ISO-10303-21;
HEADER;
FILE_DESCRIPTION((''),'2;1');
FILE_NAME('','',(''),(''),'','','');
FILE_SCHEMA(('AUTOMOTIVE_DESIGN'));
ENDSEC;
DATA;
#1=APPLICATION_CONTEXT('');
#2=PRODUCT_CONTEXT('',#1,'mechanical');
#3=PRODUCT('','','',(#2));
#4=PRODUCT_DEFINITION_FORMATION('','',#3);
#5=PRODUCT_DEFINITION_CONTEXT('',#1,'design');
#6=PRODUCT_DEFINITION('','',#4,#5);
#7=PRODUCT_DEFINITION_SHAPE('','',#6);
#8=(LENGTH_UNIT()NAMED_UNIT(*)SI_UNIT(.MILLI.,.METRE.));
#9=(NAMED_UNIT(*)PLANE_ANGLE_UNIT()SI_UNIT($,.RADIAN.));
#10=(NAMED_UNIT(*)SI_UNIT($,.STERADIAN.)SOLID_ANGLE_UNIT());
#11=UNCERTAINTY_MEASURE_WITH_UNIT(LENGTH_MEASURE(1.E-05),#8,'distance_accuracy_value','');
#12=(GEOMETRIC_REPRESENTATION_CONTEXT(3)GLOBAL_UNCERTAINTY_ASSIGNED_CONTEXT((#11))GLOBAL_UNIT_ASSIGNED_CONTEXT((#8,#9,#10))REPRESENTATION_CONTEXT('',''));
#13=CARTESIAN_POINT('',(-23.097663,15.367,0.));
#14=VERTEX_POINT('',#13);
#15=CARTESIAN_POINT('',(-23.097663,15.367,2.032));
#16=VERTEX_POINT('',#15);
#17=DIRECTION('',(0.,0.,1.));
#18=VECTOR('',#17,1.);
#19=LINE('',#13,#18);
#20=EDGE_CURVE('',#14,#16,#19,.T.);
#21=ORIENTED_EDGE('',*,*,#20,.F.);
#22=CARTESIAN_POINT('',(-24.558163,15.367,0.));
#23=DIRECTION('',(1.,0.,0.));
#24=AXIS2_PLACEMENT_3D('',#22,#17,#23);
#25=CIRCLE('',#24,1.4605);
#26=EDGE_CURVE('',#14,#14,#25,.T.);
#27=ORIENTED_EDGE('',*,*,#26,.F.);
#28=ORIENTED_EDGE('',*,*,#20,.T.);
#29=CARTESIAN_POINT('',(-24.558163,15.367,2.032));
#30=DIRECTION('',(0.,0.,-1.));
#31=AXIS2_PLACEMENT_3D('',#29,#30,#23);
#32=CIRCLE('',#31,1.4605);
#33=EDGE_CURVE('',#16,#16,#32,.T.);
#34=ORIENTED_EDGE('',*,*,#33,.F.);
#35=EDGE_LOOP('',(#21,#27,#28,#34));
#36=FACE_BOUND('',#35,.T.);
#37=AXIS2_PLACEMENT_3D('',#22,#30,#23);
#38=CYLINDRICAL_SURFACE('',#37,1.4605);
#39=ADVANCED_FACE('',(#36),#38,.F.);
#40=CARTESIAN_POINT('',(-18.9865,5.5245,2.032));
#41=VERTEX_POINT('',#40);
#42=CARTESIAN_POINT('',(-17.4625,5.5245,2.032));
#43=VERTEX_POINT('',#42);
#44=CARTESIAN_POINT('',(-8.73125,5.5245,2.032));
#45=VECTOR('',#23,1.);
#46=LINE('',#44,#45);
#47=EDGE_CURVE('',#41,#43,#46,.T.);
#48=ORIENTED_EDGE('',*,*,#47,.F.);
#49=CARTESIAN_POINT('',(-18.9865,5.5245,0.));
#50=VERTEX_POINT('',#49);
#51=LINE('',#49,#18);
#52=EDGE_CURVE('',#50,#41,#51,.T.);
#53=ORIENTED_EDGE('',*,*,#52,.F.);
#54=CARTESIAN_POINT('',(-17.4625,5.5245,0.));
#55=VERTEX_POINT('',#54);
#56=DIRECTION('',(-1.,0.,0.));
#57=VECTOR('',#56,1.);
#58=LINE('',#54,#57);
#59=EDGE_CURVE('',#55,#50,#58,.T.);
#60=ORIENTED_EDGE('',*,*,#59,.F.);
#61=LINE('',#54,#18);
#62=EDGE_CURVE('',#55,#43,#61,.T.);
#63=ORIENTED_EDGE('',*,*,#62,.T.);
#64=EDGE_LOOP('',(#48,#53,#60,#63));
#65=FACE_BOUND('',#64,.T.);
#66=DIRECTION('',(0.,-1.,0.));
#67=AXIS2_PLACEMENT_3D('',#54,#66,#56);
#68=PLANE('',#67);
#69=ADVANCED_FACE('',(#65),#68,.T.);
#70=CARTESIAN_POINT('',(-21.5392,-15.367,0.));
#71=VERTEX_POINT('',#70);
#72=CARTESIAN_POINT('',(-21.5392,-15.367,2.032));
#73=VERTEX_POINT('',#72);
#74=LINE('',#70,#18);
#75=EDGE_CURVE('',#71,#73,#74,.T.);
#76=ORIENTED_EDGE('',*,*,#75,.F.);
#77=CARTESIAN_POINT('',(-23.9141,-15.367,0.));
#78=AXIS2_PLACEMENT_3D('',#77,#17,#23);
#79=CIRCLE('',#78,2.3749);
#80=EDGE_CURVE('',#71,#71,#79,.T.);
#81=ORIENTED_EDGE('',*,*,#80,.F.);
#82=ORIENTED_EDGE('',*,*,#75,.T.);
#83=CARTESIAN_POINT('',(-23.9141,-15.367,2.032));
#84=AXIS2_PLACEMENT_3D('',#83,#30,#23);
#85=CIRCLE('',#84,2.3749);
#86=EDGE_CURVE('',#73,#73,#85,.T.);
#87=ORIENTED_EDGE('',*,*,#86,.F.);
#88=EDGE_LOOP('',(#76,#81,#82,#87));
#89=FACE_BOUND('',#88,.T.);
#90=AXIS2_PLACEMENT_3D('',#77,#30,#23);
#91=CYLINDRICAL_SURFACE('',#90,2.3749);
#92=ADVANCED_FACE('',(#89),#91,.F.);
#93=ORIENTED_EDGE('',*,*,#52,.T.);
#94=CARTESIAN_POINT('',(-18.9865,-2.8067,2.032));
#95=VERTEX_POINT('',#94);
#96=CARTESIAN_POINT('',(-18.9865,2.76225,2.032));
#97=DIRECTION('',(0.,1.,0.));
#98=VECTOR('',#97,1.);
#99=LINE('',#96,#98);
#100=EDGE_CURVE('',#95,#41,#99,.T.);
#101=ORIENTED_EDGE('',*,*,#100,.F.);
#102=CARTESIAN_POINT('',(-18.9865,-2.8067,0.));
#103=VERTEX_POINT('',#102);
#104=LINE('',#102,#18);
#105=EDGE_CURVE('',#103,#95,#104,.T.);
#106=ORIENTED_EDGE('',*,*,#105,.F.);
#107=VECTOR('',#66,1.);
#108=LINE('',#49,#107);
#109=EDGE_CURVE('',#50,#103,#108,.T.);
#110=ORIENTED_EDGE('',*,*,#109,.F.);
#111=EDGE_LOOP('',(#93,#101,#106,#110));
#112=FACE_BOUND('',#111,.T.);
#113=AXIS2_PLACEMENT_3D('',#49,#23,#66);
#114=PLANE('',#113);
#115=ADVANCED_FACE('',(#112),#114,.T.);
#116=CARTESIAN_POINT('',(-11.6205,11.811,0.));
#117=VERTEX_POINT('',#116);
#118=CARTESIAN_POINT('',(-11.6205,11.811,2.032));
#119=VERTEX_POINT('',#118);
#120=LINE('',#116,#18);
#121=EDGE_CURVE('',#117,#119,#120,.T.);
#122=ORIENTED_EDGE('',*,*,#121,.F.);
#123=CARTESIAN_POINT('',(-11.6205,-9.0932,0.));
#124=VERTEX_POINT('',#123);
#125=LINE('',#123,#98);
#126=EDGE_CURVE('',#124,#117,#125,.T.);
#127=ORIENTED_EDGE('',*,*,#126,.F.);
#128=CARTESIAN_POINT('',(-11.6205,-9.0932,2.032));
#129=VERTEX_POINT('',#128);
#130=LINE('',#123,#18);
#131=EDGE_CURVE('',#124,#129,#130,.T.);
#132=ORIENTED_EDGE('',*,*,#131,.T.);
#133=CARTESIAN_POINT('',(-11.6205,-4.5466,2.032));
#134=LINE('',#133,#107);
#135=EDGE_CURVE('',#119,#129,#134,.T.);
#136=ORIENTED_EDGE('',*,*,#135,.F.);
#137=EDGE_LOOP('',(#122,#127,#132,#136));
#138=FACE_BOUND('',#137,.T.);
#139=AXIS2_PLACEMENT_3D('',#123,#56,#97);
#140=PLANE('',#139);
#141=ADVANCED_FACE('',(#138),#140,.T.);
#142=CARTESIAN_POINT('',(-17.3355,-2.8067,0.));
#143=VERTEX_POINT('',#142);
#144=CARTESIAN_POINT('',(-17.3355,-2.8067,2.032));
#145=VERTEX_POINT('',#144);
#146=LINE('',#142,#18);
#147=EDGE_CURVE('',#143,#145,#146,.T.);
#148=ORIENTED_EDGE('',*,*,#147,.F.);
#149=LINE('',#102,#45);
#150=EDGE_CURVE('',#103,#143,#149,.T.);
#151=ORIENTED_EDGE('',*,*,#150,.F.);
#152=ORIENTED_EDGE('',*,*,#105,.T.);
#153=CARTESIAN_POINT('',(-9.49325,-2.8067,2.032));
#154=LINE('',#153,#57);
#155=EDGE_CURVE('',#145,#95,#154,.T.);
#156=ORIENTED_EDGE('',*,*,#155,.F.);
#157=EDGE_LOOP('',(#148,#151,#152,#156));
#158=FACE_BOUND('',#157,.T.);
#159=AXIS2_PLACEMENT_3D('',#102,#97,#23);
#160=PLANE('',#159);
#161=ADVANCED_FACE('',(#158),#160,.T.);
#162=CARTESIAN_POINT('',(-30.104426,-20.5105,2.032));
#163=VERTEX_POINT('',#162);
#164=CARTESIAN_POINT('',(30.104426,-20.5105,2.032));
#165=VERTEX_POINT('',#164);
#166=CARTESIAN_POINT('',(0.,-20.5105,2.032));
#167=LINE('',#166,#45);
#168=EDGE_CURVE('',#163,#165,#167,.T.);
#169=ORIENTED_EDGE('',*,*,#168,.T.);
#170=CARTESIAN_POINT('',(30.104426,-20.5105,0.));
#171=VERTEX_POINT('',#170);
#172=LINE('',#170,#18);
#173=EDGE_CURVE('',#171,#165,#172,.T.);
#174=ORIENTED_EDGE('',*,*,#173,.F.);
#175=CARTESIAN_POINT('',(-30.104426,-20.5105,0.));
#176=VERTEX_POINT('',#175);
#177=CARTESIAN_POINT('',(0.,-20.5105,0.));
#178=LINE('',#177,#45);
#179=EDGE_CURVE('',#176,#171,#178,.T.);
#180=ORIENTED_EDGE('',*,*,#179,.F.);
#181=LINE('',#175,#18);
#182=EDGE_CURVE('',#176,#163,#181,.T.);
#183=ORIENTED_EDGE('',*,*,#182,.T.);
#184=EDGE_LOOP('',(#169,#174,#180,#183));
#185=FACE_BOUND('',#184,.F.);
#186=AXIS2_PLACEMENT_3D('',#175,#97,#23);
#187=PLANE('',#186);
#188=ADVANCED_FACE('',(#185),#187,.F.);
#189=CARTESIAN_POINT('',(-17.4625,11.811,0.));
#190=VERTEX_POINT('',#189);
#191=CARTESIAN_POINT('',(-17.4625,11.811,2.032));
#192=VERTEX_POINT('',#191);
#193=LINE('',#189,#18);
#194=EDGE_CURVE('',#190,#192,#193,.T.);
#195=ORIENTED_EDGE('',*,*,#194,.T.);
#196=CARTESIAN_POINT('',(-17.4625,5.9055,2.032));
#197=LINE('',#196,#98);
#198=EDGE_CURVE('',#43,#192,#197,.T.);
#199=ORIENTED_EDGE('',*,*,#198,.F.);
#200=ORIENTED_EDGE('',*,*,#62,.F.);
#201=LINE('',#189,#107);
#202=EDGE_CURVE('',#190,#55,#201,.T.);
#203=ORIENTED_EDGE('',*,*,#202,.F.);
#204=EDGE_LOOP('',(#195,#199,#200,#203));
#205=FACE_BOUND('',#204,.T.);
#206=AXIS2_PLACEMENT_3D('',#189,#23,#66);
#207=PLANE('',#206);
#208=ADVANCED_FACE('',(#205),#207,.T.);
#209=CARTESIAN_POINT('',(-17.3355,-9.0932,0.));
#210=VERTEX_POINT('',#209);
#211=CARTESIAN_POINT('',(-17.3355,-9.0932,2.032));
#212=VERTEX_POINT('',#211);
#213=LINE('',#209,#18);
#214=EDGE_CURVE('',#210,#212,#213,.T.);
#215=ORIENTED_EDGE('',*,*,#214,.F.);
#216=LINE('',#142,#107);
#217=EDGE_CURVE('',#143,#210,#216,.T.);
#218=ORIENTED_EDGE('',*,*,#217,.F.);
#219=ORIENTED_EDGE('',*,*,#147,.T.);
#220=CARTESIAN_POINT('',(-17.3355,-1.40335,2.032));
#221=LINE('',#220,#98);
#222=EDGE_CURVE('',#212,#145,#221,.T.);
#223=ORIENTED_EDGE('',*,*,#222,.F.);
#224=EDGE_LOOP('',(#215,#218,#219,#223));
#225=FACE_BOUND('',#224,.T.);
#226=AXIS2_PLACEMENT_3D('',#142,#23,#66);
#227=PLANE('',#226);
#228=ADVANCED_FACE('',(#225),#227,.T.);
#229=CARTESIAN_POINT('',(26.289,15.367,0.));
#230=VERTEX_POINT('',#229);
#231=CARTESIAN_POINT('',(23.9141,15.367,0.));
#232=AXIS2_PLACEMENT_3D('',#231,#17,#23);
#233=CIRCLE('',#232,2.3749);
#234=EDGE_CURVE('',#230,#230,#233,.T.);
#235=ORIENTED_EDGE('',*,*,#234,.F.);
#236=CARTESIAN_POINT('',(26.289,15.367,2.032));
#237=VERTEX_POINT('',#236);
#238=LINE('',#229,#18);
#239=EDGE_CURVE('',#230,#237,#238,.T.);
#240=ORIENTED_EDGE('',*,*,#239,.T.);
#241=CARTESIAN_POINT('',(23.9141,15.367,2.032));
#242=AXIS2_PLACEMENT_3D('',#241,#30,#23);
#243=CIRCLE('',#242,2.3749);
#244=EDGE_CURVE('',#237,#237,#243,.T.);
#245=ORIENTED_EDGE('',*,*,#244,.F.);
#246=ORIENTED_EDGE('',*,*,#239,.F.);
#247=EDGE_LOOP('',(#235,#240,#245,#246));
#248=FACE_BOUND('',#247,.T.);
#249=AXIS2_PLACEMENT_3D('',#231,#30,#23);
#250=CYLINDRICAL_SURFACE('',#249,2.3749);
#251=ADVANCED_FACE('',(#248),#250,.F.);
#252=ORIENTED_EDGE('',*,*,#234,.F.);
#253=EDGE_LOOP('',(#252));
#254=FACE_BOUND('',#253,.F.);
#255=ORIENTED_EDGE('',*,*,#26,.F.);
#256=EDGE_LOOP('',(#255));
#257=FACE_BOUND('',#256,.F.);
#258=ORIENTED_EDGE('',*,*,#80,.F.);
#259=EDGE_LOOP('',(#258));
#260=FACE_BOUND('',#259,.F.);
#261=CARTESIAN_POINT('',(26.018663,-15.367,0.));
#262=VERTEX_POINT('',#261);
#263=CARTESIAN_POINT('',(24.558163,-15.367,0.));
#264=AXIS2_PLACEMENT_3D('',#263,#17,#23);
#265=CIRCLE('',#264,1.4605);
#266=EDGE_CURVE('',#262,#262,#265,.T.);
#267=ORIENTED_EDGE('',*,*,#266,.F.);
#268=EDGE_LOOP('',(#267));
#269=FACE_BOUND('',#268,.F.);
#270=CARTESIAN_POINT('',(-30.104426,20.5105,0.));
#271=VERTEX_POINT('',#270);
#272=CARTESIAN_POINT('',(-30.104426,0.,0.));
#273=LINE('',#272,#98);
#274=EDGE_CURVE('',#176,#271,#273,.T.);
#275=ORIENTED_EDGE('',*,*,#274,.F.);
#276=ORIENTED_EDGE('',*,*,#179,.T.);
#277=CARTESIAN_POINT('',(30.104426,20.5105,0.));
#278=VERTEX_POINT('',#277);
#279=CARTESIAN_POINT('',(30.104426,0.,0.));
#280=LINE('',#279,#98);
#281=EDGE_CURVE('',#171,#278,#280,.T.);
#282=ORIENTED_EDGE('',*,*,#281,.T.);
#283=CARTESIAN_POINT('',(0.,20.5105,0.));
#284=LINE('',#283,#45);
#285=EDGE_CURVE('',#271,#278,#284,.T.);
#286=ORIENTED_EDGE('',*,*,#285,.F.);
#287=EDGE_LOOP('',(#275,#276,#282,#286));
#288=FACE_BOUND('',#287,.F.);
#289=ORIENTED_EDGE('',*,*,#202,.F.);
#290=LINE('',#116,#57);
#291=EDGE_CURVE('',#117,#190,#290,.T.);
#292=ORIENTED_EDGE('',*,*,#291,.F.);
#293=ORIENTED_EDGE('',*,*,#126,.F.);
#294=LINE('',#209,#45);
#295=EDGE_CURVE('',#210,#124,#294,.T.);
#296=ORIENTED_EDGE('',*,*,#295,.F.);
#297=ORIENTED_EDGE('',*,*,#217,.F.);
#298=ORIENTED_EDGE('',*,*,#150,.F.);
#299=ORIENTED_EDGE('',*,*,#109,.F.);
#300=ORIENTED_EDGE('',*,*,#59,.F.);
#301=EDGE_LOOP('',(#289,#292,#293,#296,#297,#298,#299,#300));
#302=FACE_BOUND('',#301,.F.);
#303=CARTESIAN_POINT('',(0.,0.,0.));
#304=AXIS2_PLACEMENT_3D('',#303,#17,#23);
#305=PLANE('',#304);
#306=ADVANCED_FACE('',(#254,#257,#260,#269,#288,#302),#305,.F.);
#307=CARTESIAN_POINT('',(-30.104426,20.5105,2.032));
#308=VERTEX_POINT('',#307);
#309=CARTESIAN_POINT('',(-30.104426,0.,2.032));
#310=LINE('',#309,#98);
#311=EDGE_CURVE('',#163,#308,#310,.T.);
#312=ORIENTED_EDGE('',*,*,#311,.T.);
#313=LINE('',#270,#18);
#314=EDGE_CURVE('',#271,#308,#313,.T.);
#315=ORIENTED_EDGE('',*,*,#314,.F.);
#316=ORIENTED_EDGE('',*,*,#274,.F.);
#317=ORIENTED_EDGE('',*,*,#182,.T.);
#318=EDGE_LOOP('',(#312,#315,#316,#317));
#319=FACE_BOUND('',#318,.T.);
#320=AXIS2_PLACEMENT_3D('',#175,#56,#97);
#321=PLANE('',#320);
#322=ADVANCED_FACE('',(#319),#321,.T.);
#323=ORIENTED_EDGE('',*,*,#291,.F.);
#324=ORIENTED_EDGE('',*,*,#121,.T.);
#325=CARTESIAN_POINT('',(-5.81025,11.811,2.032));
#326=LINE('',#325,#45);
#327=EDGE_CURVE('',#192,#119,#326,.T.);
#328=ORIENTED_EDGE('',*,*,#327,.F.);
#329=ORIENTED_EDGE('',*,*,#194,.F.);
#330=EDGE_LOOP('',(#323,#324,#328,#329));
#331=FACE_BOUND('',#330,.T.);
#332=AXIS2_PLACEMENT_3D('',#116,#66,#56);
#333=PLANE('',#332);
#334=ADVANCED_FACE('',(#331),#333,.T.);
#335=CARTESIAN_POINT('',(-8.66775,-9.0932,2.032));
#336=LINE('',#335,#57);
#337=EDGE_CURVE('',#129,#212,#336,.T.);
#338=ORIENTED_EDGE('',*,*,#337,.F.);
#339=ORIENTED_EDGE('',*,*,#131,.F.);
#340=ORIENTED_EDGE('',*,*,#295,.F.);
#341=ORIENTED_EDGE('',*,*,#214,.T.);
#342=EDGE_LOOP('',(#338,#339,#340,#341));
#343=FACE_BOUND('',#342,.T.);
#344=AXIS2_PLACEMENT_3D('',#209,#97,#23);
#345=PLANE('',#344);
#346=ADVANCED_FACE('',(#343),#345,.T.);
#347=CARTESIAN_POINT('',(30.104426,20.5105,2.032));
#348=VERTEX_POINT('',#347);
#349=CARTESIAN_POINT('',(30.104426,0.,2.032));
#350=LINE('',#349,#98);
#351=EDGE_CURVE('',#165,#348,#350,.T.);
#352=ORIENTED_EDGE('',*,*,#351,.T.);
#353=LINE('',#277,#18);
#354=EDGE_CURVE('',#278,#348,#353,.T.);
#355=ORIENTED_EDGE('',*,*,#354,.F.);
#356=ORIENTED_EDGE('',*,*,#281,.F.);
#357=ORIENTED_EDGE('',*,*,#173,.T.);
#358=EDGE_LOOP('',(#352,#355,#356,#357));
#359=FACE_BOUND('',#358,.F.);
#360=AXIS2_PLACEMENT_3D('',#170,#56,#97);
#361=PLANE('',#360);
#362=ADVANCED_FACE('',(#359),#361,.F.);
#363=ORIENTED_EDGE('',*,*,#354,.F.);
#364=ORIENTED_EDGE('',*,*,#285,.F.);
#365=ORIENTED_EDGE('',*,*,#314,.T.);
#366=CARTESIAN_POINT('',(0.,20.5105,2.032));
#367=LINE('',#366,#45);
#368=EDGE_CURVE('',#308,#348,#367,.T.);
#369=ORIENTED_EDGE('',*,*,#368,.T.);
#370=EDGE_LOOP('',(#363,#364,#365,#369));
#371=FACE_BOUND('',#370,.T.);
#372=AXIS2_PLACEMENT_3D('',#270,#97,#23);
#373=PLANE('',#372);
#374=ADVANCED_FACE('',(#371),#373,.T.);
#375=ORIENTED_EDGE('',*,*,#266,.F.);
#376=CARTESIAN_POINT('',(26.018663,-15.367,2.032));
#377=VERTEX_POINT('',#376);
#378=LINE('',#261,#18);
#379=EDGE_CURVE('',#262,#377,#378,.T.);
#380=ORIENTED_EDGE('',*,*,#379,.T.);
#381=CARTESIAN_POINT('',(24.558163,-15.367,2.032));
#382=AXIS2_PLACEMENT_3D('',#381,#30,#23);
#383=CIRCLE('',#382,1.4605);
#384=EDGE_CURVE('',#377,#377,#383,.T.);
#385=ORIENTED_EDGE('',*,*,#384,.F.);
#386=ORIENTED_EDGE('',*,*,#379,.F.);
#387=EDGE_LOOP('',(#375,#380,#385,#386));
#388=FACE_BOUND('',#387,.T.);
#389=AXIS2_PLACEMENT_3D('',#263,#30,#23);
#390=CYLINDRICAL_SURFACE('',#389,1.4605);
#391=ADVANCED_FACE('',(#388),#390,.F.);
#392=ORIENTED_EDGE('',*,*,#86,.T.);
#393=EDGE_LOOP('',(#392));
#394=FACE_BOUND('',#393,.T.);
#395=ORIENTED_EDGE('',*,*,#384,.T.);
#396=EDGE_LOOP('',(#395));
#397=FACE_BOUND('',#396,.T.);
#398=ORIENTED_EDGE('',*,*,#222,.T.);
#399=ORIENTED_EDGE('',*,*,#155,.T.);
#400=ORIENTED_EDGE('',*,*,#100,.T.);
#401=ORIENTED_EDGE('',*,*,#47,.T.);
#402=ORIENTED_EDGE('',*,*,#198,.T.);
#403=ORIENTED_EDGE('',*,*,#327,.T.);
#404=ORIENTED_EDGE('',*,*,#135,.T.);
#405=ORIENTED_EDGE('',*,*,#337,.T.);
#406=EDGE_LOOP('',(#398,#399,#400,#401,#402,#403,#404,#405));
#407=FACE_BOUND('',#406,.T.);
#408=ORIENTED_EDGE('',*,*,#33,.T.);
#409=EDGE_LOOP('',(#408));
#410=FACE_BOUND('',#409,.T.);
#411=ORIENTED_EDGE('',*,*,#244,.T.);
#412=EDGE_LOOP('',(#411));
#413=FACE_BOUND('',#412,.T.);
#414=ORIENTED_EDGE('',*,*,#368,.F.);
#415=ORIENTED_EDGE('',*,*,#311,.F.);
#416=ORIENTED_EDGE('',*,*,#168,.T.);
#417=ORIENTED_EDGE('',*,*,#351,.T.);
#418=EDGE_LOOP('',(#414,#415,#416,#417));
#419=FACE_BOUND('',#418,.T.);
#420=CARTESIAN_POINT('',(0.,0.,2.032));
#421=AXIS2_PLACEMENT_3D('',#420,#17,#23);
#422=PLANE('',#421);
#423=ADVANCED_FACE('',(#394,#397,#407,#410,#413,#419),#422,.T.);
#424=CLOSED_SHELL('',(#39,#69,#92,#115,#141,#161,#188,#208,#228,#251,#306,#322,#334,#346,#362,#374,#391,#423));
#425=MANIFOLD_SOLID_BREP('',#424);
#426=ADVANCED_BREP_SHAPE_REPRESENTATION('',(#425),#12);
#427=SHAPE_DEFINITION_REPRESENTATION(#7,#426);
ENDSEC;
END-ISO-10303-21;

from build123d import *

# Parameters (mm, degrees)
F8_W      = 60.2088514067
F8_H      = 41.021
F9_DEPTH  = 2.032
F6_R      = 2.3749
F7_R      = 2.3749
F10_DEPTH = 12.192
F3_R      = 1.4605
F5_R      = 1.4605
F11_DEPTH = 12.192
F13_DEPTH = 2.286


with BuildPart() as f9:
    # F8 (on Top) → F9 (new body)
    with BuildSketch(Plane.XY):
        Rectangle(F8_W, F8_H)
    extrude(amount=F9_DEPTH)

    # F6 (on face) + F7 (on face) → F10 (cut)
    with BuildSketch(Plane.XY):
        with Locations((-23.9141, -15.367)):
            Circle(F6_R)
    with BuildSketch(Plane.XY):
        with Locations((23.9141, 15.367)):
            Circle(F7_R)
    extrude(amount=F10_DEPTH, mode=Mode.SUBTRACT)

    # F3 (on face) + F5 (on face) → F11 (cut)
    with BuildSketch(Plane.XY):
        with Locations((-24.5581628517, 15.367)):
            Circle(F3_R)
    with BuildSketch(Plane.XY):
        with Locations((24.5581628517, -15.367)):
            Circle(F5_R)
    extrude(amount=F11_DEPTH, mode=Mode.SUBTRACT)

    # F12 (on Top) → F13 (cut)
    with BuildSketch(Plane.XY):
        Polygon((-11.6205, -9.0932), (-11.6205, 11.811), (-17.4625, 11.811), (-17.4625, 5.5245), (-18.9865, 5.5245), (-18.9865, -2.8067), (-17.3355, -2.8067), (-17.3355, -9.0932), align=None)
    extrude(amount=F13_DEPTH, mode=Mode.SUBTRACT)


solid = f9.part
